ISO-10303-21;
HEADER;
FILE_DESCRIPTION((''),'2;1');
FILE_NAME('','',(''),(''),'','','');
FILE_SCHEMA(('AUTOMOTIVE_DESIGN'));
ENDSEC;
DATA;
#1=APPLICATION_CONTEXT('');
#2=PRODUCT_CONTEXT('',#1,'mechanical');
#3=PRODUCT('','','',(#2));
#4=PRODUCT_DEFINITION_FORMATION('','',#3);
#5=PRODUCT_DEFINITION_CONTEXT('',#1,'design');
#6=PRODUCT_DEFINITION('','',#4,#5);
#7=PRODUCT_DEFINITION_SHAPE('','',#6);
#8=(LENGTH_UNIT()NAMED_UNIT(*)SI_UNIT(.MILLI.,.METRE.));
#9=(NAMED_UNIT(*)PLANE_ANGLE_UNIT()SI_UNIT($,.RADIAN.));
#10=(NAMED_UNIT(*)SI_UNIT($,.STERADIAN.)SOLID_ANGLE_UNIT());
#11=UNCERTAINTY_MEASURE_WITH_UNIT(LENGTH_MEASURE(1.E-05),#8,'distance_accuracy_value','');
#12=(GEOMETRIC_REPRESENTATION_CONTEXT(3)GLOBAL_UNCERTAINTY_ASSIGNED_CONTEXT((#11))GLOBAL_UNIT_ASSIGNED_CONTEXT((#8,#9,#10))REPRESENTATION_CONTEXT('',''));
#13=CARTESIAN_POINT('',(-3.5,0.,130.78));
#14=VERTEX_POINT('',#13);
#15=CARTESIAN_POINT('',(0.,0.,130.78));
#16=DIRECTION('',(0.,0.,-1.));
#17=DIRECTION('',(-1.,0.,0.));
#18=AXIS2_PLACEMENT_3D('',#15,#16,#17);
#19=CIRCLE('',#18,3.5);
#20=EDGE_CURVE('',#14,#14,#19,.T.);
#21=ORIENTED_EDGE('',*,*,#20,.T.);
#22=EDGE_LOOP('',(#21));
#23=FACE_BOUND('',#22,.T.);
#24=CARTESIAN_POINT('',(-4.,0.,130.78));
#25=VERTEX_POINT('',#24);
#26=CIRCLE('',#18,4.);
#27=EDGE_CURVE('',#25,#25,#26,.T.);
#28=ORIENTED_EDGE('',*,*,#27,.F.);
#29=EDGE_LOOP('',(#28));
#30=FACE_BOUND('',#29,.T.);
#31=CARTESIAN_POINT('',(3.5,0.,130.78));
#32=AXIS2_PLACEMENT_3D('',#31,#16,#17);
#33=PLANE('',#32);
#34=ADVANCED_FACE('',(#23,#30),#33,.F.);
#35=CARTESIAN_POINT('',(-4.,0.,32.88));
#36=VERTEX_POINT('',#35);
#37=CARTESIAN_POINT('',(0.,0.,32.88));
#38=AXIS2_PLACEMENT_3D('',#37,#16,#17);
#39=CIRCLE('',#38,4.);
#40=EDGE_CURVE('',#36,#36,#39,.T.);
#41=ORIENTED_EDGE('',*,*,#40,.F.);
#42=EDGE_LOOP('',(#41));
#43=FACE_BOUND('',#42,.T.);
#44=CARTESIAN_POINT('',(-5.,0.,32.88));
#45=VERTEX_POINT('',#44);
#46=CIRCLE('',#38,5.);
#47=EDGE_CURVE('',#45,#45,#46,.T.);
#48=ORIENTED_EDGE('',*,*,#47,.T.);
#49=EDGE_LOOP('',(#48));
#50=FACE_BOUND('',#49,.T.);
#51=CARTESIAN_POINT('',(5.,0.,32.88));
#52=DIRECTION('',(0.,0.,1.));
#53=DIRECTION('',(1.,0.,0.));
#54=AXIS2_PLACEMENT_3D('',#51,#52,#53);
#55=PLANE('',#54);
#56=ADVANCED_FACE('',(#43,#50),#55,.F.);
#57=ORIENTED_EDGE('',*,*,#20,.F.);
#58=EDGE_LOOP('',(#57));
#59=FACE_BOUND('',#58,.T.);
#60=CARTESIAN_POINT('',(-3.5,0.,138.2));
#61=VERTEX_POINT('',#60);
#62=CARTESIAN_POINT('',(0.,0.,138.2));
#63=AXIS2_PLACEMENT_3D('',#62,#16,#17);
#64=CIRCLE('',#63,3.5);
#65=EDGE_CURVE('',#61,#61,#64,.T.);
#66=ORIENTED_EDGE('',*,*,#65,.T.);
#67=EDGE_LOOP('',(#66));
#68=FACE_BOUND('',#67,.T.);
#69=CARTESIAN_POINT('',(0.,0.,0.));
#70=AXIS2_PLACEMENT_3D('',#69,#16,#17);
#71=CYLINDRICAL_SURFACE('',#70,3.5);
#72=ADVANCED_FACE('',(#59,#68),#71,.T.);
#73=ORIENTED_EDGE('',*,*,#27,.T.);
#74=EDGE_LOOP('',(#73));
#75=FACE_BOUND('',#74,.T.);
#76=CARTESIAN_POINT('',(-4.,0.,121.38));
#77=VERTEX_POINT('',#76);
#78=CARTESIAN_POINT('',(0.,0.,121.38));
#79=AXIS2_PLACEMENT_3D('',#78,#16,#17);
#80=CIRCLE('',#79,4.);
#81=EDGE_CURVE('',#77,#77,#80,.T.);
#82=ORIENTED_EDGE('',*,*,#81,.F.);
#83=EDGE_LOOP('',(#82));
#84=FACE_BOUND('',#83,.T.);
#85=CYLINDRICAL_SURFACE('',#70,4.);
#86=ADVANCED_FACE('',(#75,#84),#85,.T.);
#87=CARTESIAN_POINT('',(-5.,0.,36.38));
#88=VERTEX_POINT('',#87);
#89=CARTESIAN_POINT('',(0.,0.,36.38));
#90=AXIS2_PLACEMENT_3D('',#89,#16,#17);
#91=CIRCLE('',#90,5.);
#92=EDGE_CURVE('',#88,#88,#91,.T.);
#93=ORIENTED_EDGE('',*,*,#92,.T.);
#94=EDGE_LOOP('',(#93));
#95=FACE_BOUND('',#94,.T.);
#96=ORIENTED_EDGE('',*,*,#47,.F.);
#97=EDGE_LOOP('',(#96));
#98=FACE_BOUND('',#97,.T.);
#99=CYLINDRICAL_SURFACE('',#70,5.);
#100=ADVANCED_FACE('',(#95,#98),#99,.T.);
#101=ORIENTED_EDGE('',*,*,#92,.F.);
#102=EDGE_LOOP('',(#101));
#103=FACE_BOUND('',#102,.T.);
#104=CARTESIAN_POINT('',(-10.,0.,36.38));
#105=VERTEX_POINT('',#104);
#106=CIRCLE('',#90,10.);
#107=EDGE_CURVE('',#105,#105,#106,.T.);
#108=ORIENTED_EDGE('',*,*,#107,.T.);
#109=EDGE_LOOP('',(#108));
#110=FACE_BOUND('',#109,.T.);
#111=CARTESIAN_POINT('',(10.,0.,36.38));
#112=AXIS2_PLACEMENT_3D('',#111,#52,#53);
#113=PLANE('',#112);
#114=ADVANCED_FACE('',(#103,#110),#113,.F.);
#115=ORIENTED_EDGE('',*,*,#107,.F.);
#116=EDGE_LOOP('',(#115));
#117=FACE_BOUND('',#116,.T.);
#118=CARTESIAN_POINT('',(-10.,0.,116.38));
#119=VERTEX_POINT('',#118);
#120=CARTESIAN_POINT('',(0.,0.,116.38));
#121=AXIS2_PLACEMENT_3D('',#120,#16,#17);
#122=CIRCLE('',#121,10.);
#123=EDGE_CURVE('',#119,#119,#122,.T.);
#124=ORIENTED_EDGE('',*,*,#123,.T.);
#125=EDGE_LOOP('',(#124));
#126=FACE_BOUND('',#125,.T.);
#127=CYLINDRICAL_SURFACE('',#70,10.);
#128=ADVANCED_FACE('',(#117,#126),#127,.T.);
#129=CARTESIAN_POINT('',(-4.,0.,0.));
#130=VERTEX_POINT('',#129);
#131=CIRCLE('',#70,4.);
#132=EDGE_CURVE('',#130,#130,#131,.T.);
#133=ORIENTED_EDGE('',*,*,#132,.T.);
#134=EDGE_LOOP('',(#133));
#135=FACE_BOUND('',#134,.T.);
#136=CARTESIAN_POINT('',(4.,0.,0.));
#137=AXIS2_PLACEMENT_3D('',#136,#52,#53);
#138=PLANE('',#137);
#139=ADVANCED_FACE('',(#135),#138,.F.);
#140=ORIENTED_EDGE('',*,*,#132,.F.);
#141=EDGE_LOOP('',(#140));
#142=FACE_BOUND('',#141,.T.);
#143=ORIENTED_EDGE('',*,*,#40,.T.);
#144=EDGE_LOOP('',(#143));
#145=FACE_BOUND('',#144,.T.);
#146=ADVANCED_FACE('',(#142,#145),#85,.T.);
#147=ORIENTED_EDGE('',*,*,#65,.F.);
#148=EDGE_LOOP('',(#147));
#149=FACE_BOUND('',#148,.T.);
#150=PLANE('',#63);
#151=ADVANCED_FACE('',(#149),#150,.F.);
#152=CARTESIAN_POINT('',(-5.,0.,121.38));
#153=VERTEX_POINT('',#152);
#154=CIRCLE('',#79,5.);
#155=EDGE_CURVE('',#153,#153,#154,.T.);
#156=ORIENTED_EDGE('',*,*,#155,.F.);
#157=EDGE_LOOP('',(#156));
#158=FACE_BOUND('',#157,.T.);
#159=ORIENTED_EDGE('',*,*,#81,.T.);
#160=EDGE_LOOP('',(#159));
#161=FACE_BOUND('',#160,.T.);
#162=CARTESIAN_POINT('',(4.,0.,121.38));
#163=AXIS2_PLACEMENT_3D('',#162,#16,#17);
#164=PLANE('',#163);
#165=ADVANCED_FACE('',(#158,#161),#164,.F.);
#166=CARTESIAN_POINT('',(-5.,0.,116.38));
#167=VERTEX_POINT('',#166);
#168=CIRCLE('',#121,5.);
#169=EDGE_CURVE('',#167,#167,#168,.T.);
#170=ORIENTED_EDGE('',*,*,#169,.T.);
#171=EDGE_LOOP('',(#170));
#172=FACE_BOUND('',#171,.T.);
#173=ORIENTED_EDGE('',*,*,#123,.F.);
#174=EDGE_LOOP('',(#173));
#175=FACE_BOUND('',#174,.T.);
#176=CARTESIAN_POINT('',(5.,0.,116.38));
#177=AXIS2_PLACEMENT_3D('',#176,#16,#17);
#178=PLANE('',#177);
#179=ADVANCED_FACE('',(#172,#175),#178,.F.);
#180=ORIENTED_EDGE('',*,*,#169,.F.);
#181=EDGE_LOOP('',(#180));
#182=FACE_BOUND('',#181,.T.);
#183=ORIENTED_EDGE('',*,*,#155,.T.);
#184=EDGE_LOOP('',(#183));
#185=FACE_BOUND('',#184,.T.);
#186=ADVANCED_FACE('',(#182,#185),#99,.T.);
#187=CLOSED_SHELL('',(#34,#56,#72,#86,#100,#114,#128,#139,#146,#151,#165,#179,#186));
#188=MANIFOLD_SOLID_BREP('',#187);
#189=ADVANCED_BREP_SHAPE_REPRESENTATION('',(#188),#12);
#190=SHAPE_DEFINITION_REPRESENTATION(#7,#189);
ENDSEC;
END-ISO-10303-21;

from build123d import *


with BuildPart() as part:
    # Çizim1 → Döndür1 (revolve)
    with BuildSketch(Plane(origin=(0, 0, 0), x_dir=(1, 0, 0), z_dir=(0, 1, 0)), mode=Mode.PRIVATE) as d_nd_r1_sk:
        Polygon((0, 0), (0, -138.2), (3.5, -138.2), (3.5, -130.78), (4, -130.78), (4, -121.38), (5, -121.38), (5, -116.38), (10, -116.38), (10, -36.38), (5, -36.38), (5, -32.88), (4, -32.88), (4, 0), align=None)
    revolve(d_nd_r1_sk.sketch.rotate(Axis((0, 0, 0), (0, 0, 1)), 180), axis=Axis((0, 0, 0), (0, 0, 1)))


solid = part.part
